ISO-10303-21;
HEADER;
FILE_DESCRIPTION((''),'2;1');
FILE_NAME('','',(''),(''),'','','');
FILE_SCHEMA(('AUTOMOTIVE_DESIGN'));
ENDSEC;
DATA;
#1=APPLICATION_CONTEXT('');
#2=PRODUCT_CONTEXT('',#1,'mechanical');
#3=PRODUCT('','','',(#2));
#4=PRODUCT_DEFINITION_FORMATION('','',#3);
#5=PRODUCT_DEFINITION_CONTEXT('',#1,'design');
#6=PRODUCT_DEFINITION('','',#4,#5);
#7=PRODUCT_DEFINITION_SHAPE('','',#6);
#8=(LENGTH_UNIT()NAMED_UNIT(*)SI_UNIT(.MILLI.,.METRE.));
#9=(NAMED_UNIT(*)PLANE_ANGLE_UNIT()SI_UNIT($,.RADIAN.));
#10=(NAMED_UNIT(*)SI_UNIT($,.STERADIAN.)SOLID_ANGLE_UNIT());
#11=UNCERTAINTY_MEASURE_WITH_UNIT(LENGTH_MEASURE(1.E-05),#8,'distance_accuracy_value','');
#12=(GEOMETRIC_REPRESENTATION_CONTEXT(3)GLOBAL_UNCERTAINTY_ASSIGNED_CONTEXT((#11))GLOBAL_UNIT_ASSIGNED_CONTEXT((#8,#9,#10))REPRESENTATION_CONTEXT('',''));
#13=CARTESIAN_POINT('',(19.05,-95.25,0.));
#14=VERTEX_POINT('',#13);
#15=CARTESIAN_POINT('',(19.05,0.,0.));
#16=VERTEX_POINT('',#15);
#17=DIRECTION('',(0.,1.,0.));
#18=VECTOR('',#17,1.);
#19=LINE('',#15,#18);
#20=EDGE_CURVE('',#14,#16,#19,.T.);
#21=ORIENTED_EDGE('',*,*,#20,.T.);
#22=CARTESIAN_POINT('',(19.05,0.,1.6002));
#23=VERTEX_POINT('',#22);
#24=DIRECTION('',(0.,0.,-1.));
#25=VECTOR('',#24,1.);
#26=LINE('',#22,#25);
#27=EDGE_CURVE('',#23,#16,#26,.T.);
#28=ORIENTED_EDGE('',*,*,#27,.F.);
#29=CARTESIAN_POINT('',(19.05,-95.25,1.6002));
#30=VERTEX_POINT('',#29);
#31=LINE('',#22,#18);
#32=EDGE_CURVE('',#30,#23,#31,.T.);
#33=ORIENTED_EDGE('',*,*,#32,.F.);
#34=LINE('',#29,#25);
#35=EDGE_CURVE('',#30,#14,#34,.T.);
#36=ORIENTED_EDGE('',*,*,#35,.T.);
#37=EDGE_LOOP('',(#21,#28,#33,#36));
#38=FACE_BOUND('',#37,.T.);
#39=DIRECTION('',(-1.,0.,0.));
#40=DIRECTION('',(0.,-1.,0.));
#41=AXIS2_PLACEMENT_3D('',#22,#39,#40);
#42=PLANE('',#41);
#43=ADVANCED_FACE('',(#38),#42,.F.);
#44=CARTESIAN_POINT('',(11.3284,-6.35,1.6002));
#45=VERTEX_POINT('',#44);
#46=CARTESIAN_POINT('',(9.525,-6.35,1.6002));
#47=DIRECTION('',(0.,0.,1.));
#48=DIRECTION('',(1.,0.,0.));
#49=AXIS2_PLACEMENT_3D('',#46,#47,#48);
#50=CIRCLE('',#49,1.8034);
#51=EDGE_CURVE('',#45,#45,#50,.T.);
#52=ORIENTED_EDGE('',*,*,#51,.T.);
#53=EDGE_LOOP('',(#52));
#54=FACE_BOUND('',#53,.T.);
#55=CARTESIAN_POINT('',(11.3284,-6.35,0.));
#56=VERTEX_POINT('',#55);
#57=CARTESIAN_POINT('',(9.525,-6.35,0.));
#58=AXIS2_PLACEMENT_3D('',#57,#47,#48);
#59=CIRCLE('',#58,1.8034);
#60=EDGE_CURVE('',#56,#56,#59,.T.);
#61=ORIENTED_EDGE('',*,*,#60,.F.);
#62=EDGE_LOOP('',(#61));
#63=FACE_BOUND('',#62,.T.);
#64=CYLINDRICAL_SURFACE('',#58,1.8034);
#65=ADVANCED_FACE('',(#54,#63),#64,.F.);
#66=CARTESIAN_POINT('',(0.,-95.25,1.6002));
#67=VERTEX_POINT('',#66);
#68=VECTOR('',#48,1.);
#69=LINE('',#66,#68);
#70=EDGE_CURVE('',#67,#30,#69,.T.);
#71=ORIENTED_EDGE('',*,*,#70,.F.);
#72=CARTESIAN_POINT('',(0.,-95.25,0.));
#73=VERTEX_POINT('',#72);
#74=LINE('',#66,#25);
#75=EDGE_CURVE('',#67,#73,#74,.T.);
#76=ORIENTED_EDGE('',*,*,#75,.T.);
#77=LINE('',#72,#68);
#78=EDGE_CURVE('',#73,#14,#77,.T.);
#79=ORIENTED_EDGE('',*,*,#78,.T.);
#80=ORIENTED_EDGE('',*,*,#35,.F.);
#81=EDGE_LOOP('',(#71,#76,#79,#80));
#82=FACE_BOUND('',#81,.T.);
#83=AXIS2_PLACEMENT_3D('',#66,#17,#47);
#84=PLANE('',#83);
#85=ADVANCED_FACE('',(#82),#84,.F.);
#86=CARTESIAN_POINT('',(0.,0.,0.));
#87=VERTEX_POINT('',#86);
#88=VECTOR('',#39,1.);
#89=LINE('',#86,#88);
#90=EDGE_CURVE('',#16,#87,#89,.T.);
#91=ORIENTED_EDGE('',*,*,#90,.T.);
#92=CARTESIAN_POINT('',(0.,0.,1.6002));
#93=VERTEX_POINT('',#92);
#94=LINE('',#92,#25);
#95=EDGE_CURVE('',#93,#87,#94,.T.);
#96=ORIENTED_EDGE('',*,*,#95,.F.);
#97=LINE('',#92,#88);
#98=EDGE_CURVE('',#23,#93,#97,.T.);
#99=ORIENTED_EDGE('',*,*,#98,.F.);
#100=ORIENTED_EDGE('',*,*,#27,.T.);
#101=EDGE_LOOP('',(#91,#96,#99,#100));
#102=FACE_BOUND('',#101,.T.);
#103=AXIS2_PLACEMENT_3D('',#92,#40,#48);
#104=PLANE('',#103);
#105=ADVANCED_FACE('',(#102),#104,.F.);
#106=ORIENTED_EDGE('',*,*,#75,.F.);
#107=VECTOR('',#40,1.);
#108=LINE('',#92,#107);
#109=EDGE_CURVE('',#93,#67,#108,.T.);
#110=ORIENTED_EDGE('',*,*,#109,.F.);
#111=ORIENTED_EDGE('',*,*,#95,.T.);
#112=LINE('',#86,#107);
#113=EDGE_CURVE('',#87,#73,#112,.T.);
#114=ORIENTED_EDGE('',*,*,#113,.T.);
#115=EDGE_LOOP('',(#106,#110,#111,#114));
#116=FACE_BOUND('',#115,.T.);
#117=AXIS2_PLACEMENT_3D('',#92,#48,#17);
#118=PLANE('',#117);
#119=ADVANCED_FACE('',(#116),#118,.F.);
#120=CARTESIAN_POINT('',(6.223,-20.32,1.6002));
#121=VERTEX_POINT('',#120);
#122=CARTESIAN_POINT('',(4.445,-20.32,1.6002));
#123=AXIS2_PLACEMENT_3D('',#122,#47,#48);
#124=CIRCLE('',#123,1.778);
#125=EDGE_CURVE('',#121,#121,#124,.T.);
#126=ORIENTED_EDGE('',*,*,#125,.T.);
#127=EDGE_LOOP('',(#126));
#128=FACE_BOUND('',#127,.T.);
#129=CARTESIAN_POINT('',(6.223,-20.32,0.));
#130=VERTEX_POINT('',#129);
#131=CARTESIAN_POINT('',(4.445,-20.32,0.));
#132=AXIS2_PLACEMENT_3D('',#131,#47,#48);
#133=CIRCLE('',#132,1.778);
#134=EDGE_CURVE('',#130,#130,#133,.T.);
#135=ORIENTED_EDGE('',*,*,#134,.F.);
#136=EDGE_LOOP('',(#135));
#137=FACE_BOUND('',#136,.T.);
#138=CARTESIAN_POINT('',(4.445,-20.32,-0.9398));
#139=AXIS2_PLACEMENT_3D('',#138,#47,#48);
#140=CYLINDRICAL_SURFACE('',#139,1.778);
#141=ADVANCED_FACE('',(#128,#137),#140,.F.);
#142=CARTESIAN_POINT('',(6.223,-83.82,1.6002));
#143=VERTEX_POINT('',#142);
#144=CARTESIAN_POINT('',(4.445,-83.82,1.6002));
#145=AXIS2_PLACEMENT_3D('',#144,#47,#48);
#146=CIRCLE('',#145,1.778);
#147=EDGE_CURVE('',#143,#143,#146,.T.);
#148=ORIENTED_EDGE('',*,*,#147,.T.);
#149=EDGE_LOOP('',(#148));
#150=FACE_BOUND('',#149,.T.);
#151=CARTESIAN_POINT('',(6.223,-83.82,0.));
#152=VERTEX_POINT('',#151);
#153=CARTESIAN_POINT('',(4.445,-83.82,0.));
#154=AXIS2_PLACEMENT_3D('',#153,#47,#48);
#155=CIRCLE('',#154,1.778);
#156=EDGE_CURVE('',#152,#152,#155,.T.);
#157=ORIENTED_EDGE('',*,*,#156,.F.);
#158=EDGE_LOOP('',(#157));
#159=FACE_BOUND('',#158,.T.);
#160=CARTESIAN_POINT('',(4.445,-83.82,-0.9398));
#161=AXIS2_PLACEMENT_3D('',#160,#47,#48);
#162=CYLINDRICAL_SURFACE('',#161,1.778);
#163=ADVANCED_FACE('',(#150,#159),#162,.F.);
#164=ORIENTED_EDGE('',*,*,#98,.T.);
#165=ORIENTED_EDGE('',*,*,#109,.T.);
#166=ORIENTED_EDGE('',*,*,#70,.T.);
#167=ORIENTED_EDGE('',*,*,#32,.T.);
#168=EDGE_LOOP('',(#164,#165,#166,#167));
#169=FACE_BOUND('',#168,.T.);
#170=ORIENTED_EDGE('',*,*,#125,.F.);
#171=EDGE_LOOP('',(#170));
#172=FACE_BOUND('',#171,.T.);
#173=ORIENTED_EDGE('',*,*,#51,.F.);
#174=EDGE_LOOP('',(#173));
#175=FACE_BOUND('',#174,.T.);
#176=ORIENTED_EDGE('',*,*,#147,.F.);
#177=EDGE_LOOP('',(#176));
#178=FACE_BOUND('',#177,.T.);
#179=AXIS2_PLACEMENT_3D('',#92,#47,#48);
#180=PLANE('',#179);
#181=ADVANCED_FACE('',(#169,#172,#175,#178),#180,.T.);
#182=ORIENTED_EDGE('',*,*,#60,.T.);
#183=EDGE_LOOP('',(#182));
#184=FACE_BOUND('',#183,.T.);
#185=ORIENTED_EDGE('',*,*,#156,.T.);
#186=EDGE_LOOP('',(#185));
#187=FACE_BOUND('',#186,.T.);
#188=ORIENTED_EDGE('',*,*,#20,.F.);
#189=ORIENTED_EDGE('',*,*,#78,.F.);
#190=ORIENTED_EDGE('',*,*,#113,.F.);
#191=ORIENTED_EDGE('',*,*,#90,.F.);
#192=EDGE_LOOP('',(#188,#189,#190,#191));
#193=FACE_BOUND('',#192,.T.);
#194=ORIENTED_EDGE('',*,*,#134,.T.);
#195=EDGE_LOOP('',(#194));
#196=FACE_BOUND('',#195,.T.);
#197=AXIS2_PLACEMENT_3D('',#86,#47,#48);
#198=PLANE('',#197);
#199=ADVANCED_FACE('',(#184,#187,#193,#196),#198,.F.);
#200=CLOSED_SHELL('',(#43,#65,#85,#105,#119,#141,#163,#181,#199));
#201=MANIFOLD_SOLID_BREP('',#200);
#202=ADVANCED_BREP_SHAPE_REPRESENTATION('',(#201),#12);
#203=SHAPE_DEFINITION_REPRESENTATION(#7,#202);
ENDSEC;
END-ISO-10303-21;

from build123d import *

# Parameters (mm, degrees)
SKETCH1_W          = 19.05
SKETCH1_H          = 95.25
EXTRUDE1_DEPTH     = 1.6002
SKETCH2_R          = 1.8034
CUT_EXTRUDE1_DEPTH = 1.6002
SKETCH3_R          = 1.778
CUT_EXTRUDE2_DEPTH = 2.54


with BuildPart() as part:
    # Sketch1 → Extrude1 (new body)
    with BuildSketch(Plane.XY):
        with Locations((9.525, -47.625)):
            Rectangle(SKETCH1_W, SKETCH1_H)
    extrude(amount=EXTRUDE1_DEPTH)

    # Sketch2 → Cut-Extrude1 (cut)
    with BuildSketch(Plane.XY.offset(1.6002)):
        with Locations((9.525, -6.35)):
            Circle(SKETCH2_R)
    extrude(amount=-CUT_EXTRUDE1_DEPTH, mode=Mode.SUBTRACT)

    # Sketch3 → Cut-Extrude2 (cut)
    with BuildSketch(Plane.XY.offset(1.6002)):
        with Locations((4.445, -20.32)):
            Circle(SKETCH3_R)
        with Locations((4.445, -83.82)):
            Circle(SKETCH3_R)
    extrude(amount=-CUT_EXTRUDE2_DEPTH, mode=Mode.SUBTRACT)


solid = part.part
